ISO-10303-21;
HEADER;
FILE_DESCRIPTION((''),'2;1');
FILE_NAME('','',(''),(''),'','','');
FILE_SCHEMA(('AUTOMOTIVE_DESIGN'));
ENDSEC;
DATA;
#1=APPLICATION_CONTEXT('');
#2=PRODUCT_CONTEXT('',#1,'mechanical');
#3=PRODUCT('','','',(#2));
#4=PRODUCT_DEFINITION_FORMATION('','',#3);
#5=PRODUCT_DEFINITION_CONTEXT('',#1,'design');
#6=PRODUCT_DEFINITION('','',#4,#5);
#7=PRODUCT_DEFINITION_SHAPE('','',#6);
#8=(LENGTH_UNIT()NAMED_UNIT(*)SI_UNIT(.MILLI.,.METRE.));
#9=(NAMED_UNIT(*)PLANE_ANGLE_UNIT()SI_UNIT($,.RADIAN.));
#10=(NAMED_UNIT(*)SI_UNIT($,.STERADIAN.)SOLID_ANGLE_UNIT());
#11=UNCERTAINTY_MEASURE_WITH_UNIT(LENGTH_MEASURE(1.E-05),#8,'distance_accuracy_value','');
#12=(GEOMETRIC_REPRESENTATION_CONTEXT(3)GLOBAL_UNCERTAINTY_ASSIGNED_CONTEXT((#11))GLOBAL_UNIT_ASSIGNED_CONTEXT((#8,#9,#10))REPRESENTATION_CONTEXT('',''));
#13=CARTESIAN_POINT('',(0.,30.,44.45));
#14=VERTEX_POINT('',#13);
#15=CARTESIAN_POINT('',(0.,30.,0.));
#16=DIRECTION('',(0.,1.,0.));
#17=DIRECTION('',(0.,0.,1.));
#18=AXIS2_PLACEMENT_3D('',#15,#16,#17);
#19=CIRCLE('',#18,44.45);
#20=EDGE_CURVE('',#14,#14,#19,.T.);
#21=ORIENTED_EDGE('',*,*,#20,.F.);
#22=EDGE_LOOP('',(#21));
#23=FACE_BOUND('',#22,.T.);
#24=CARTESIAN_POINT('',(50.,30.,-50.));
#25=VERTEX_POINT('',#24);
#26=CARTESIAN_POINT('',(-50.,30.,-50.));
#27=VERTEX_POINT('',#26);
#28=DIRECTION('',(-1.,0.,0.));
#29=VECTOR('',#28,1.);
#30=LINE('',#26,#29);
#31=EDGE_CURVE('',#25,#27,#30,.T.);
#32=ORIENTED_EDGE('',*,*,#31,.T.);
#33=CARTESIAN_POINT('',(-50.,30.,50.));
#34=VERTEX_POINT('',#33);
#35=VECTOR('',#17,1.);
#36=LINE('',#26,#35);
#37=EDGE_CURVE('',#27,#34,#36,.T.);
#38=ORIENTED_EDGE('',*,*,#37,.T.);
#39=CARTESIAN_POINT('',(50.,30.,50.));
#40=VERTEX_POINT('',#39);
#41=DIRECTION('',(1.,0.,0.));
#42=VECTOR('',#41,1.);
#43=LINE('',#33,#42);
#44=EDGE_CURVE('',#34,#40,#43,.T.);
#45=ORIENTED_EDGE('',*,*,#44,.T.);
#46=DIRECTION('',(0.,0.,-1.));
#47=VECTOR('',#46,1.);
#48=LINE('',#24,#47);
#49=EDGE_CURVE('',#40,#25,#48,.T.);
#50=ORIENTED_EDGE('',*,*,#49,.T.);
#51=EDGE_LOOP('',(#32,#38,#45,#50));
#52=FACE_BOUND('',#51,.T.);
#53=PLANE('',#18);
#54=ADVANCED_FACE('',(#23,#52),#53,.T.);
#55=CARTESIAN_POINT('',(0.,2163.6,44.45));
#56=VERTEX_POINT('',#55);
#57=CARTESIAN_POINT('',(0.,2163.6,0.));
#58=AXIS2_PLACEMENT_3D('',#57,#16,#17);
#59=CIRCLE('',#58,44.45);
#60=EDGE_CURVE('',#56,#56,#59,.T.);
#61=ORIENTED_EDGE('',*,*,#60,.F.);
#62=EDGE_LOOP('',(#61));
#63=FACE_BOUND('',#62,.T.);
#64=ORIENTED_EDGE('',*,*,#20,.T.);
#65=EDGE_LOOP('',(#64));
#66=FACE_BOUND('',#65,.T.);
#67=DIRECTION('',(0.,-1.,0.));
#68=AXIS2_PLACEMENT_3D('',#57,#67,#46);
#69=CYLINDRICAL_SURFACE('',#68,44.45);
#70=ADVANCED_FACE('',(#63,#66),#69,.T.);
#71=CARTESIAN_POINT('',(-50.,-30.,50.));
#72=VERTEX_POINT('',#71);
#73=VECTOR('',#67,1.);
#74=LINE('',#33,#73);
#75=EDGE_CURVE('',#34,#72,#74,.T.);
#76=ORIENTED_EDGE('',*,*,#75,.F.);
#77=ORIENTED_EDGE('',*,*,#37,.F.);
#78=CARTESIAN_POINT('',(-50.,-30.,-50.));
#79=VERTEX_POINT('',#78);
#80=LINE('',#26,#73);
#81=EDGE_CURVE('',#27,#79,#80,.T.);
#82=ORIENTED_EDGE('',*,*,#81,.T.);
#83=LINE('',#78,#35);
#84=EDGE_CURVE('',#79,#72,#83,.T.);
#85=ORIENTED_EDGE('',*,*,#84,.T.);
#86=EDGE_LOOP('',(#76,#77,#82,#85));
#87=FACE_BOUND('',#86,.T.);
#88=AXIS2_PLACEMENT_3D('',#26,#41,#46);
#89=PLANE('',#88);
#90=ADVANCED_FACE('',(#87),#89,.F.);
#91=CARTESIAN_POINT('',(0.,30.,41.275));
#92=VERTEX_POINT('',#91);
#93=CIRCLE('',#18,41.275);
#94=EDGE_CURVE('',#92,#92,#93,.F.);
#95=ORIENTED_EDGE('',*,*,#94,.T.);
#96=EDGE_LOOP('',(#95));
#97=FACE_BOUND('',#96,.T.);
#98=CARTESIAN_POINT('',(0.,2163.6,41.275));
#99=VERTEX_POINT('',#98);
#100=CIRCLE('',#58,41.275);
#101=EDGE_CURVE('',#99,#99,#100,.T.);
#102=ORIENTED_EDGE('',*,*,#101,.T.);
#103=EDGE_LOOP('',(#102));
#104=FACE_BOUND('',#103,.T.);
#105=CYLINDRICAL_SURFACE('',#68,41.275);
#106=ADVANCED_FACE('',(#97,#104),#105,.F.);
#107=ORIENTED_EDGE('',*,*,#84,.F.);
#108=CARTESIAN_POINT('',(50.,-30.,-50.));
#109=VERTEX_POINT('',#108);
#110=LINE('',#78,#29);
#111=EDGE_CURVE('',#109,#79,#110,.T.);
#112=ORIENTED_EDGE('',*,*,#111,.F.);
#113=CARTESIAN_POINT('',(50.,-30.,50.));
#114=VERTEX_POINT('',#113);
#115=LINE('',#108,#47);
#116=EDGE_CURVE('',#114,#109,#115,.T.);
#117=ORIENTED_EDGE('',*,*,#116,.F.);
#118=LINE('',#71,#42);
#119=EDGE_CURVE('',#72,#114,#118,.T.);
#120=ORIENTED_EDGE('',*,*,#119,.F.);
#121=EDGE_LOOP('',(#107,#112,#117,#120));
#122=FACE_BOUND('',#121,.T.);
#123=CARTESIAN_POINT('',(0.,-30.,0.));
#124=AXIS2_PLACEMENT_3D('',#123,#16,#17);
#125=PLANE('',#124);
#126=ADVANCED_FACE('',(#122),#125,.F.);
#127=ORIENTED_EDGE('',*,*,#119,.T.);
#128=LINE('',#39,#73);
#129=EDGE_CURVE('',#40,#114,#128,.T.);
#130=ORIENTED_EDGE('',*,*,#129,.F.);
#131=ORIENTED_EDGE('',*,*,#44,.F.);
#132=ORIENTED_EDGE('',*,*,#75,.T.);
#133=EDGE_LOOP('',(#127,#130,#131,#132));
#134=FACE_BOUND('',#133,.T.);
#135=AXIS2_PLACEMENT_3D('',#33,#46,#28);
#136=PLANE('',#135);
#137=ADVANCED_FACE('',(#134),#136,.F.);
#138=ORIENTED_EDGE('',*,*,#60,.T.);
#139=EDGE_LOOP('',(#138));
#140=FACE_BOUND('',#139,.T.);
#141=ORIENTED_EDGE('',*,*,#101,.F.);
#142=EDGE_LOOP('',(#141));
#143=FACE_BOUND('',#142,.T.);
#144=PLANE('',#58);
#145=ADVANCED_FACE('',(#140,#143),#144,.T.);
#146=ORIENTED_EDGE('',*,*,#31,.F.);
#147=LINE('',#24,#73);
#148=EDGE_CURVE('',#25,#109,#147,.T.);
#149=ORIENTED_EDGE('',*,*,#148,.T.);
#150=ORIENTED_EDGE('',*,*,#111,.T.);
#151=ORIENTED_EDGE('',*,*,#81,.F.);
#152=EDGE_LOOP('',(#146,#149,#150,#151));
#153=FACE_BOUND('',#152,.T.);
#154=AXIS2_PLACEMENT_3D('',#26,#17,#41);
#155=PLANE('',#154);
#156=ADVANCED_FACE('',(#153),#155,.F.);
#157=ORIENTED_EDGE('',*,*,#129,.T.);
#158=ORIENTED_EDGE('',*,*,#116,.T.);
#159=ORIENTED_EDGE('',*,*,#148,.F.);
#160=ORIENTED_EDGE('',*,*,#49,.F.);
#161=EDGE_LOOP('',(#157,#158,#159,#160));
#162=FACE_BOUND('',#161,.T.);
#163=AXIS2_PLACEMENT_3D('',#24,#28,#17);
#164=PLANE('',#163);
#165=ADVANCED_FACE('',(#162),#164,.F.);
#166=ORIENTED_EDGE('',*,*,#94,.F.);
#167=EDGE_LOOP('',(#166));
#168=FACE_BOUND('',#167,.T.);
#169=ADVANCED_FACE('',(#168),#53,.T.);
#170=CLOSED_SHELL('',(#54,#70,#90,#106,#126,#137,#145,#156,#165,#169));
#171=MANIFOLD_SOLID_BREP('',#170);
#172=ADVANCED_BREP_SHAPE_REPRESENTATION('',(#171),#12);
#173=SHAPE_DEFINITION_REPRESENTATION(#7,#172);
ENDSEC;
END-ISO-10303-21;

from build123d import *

# Parameters (mm, degrees)
SKETCH1_W           = 100
SKETCH1_H           = 100
BOSS_EXTRUDE1_DEPTH = 30
SKETCH2_R           = 44.45
SKETCH2_R_2         = 41.275
BOSS_EXTRUDE2_DEPTH = 2133.6


with BuildPart() as part:
    # Sketch1 → Boss-Extrude1 (new body, symmetric)
    with BuildSketch(Plane(origin=(0, 0, 0), x_dir=(1, 0, 0), z_dir=(0, 1, 0))):
        Rectangle(SKETCH1_W, SKETCH1_H)
    extrude(amount=BOSS_EXTRUDE1_DEPTH, both=True)

    # Sketch2 → Boss-Extrude2 (add)
    with BuildSketch(Plane(origin=(0, 30, 0), x_dir=(1, 0, 0), z_dir=(0, 1, 0))):
        Circle(SKETCH2_R)
        Circle(SKETCH2_R_2, mode=Mode.SUBTRACT)
    extrude(amount=BOSS_EXTRUDE2_DEPTH)


solid = part.part
